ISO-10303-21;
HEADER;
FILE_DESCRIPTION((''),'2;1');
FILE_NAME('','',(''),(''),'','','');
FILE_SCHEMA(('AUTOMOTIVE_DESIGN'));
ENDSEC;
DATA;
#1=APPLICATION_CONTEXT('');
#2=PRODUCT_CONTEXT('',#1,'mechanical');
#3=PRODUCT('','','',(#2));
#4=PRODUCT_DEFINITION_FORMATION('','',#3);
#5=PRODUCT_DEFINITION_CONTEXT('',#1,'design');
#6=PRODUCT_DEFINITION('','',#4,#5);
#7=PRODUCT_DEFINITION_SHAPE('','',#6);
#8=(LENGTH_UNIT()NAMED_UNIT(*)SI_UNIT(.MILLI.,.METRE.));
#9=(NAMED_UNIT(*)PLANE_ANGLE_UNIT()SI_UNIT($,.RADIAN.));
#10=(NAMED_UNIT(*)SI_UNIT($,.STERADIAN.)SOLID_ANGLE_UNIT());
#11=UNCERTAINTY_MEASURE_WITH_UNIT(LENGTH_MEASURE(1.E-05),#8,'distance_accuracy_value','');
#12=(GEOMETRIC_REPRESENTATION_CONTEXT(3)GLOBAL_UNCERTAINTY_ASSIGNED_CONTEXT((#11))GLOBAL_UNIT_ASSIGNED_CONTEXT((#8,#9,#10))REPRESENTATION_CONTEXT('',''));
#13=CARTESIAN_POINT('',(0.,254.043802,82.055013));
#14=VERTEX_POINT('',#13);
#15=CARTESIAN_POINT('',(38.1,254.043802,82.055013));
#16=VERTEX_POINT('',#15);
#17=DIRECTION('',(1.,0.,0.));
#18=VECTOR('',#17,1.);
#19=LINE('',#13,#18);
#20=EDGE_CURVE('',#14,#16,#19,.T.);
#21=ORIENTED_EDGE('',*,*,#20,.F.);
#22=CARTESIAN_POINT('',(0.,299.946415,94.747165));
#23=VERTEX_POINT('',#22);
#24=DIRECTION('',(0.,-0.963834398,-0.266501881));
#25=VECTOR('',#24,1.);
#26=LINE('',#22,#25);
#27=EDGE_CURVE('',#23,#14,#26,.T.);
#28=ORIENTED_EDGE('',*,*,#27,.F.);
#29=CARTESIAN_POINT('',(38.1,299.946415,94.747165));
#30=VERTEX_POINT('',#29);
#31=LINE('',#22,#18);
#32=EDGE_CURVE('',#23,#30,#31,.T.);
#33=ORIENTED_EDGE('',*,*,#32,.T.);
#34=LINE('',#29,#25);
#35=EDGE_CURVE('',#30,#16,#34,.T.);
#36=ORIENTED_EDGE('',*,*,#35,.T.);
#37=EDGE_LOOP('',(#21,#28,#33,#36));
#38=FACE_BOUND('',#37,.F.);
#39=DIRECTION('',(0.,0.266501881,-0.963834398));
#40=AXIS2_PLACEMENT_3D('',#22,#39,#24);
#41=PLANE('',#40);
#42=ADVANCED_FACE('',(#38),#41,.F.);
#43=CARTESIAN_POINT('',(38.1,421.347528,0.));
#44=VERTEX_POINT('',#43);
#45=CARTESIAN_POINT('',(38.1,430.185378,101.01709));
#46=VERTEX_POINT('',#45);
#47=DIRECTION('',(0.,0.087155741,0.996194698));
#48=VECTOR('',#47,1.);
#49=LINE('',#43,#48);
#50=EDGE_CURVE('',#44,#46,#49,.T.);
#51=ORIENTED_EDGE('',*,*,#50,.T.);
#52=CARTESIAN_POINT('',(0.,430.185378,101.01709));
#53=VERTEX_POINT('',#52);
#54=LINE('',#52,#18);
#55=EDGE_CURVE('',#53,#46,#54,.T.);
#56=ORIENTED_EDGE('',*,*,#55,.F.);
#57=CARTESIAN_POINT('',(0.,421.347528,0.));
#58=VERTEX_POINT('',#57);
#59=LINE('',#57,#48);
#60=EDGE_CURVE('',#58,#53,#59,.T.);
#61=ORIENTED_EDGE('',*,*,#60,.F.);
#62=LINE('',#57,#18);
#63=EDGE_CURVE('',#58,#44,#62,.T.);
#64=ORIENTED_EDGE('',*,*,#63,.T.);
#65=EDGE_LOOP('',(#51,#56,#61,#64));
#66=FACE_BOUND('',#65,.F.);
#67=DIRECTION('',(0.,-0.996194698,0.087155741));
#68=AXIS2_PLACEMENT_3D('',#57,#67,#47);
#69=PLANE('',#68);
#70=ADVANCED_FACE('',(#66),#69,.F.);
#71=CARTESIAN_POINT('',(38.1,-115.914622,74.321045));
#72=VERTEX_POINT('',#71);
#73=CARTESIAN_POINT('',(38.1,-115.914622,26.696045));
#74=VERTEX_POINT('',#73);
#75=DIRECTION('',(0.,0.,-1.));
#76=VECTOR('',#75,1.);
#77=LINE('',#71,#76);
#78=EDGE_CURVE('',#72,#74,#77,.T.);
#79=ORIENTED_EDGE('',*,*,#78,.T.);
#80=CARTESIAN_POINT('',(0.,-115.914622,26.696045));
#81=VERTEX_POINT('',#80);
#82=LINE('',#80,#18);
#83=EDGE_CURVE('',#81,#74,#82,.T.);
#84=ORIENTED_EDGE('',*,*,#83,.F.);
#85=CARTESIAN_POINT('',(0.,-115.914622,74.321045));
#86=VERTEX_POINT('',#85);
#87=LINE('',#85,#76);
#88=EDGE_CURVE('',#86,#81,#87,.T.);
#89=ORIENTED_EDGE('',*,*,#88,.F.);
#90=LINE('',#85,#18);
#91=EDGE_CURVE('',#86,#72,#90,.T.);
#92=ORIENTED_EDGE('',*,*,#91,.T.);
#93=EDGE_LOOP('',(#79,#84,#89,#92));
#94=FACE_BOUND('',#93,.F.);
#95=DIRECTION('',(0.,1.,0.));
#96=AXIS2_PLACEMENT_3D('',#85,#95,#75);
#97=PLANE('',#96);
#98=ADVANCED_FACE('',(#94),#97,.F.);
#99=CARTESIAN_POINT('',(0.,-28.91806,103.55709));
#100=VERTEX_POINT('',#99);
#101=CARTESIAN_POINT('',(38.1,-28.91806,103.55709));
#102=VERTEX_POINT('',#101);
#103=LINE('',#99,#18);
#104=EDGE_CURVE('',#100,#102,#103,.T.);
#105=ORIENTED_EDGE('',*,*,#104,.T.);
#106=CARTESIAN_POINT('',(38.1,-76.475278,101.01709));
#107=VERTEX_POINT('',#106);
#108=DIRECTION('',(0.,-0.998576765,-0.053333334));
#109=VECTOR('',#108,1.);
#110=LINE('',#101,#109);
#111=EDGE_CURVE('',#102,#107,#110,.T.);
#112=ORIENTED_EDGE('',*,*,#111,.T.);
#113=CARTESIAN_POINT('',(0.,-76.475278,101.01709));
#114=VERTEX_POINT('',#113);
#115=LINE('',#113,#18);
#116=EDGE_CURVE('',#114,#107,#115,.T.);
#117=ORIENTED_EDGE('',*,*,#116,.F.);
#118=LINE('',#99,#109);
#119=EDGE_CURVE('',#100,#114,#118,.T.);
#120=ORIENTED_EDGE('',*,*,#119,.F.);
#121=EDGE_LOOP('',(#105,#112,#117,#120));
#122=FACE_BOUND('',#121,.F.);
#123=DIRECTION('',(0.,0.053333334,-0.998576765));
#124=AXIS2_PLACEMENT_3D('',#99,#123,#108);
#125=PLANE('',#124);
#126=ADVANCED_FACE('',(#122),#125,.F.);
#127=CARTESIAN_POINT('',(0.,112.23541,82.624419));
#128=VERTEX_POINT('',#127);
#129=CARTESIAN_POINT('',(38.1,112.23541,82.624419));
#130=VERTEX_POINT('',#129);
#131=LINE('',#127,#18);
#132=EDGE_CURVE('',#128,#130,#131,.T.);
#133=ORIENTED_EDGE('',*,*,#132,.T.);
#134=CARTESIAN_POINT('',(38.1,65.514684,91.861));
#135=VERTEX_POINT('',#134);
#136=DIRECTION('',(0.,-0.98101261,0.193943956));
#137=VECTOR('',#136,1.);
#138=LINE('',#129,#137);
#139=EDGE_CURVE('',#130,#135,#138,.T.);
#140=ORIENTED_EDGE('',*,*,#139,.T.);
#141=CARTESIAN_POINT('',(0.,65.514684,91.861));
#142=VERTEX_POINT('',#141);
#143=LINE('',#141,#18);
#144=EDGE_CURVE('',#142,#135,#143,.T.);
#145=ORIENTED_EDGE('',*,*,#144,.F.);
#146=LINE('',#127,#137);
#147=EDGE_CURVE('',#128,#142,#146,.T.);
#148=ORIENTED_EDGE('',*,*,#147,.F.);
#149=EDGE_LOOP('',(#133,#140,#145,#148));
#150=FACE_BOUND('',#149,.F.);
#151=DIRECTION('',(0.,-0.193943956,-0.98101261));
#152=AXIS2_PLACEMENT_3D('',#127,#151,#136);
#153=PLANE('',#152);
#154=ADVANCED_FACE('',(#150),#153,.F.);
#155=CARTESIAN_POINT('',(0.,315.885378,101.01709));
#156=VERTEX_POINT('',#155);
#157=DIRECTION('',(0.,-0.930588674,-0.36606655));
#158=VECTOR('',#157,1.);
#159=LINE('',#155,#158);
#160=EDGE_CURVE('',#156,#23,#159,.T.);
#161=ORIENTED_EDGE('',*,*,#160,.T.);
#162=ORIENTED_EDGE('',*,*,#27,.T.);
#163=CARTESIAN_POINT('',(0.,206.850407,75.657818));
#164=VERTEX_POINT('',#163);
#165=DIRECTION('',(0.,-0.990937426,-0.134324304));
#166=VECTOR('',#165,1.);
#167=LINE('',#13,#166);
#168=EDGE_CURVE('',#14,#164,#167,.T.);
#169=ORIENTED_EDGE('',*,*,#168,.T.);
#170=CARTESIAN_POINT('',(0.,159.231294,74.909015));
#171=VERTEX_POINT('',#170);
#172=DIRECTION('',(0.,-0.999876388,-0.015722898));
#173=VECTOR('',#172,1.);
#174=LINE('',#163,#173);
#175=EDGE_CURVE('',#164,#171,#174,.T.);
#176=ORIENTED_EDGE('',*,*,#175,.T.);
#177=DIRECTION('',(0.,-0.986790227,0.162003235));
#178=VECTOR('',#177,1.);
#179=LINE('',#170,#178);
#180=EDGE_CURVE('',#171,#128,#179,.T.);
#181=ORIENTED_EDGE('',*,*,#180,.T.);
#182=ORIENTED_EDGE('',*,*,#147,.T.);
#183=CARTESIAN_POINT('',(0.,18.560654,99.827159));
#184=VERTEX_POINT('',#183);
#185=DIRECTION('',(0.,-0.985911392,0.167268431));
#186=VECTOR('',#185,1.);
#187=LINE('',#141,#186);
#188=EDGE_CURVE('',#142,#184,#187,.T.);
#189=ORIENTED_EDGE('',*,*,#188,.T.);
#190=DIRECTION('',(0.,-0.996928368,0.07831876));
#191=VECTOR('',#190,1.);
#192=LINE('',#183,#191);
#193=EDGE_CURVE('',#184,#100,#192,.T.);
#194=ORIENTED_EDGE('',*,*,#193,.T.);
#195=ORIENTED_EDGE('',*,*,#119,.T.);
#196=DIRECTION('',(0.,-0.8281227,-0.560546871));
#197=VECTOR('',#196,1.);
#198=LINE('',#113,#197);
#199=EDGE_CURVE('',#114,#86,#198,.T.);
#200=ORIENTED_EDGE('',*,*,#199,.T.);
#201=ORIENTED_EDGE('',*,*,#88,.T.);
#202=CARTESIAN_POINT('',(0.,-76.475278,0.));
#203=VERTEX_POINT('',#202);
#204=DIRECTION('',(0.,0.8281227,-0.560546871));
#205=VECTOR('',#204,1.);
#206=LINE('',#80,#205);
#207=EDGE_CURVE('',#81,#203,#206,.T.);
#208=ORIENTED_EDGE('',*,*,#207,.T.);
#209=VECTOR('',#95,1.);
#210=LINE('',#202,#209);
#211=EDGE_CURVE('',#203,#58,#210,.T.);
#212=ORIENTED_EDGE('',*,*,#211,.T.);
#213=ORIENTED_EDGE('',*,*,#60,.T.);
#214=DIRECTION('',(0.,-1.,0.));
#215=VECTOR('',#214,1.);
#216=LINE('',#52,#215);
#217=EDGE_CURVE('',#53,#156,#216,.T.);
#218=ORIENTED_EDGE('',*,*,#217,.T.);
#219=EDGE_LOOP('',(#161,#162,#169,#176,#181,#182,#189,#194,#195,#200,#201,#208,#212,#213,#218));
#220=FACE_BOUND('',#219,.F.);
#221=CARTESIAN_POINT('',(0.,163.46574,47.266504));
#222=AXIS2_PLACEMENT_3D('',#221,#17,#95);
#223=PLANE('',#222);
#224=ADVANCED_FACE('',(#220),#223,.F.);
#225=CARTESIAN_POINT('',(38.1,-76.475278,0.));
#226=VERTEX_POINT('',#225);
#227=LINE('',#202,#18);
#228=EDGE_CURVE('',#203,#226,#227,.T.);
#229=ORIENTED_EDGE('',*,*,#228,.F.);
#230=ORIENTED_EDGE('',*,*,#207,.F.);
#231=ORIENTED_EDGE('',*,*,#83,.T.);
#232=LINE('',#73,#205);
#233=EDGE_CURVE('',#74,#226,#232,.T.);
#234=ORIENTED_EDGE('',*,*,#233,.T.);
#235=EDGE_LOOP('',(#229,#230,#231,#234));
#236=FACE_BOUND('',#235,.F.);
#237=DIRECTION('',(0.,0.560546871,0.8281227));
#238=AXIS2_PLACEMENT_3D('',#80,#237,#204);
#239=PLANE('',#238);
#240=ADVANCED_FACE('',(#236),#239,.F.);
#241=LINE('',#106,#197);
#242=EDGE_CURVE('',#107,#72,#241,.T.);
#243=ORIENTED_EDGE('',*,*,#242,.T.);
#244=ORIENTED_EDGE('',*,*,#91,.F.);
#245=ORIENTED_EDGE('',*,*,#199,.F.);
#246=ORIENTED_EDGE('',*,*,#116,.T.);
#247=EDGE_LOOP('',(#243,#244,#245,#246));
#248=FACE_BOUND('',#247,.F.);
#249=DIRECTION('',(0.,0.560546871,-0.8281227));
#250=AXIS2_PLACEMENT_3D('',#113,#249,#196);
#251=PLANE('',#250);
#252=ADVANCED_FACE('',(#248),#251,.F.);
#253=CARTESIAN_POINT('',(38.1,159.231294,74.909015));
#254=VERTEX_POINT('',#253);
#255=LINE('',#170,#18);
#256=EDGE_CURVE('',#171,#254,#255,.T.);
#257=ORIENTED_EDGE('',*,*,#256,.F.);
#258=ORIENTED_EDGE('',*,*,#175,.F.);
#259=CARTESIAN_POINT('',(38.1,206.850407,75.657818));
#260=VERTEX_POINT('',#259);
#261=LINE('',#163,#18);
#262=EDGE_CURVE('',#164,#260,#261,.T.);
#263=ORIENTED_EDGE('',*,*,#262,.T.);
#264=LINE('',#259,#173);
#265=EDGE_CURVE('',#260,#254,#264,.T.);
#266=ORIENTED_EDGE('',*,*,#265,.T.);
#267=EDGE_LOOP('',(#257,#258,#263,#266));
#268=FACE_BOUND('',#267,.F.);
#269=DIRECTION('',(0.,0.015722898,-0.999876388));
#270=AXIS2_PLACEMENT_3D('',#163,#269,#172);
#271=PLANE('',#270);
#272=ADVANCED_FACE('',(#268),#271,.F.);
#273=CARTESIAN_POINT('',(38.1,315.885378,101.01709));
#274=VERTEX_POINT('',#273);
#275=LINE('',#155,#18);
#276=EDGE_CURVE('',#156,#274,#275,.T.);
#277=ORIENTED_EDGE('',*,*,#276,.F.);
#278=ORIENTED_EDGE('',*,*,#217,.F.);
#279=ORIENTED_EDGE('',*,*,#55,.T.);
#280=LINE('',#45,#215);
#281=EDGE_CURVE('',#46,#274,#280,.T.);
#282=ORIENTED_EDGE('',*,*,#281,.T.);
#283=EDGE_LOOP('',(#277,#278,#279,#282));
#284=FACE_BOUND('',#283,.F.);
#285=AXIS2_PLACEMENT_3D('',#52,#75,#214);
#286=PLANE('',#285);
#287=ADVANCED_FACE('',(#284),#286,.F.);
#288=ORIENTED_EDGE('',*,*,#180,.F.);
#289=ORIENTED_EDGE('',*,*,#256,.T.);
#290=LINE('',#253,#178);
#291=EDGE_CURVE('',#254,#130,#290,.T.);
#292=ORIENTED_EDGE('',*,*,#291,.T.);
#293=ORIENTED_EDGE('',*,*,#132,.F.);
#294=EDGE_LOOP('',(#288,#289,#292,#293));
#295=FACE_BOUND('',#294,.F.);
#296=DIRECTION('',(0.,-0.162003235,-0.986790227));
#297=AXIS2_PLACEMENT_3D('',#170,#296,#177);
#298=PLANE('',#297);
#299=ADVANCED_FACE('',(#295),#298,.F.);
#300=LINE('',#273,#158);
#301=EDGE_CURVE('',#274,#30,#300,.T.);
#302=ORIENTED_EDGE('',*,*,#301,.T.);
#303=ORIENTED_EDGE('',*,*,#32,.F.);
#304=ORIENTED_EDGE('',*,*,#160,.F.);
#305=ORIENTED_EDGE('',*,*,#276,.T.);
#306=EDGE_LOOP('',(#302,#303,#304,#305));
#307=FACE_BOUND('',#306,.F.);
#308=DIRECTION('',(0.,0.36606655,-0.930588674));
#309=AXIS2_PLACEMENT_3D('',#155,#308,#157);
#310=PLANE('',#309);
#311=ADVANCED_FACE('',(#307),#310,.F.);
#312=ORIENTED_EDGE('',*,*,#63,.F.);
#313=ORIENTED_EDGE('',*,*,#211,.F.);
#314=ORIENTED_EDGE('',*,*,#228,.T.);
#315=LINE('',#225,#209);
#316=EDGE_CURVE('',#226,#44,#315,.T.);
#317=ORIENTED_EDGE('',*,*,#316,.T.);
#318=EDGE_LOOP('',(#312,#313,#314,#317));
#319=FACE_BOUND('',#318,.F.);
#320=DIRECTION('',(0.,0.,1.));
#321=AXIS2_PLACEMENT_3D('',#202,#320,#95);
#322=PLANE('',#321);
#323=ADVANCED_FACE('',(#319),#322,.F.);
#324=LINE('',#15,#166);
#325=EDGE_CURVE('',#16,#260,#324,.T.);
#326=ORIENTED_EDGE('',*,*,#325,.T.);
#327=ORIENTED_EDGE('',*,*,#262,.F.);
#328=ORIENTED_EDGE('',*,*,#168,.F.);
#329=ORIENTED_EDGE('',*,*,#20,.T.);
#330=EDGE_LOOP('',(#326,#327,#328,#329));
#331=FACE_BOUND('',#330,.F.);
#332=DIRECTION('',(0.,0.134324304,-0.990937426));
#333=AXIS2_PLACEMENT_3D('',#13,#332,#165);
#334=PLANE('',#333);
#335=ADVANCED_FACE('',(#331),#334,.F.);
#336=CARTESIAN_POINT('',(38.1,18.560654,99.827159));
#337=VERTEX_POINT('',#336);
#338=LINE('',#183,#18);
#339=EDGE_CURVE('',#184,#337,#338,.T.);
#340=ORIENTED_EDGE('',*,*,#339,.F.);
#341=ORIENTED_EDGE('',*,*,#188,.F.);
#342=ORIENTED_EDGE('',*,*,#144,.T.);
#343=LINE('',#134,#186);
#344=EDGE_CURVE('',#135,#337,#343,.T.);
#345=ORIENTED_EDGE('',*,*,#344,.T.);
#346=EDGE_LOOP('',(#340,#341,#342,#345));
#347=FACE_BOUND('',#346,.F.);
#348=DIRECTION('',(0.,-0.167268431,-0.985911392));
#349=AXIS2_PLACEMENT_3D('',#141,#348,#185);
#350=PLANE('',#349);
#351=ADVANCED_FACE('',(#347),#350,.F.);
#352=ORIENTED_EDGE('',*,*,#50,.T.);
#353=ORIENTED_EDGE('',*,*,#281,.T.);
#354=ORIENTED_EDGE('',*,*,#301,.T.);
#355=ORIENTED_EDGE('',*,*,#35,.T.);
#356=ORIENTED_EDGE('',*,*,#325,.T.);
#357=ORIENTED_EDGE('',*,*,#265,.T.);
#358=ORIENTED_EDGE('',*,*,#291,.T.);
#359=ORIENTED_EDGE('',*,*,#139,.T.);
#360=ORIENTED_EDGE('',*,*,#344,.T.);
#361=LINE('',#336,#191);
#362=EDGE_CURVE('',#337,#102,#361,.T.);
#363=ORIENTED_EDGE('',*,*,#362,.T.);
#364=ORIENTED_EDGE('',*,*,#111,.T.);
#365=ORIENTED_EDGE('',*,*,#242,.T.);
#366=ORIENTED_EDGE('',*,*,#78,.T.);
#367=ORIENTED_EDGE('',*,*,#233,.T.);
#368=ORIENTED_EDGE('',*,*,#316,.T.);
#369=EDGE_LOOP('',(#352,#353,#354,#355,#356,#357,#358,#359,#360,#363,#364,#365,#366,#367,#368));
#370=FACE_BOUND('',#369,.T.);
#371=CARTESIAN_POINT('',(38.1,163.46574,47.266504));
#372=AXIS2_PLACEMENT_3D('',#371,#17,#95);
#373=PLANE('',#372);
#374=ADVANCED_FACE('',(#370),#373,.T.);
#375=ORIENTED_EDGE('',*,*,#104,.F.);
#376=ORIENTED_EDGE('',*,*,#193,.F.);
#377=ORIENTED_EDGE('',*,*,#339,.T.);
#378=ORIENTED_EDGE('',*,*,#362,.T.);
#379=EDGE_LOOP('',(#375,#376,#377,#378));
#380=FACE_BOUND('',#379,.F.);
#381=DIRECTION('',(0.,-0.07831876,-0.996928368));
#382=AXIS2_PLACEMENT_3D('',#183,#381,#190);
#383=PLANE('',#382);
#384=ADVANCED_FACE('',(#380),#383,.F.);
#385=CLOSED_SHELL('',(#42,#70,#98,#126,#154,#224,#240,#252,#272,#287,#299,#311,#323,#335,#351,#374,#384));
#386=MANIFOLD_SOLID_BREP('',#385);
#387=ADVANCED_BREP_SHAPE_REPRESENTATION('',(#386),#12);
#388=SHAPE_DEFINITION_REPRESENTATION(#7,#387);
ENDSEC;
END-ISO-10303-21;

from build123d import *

# Parameters (mm, degrees)
F1_DEPTH = 38.1


with BuildPart() as f1:
    # F0 (on Right) → F1 (new body)
    with BuildSketch(Plane.YZ):
        Polygon((-115.914622, 26.696045), (-76.475278, 0), (421.347528, 0), (430.185378, 101.01709), (315.885378, 101.01709), (299.946415, 94.747165), (254.043802, 82.055013), (206.850407, 75.657818), (159.231294, 74.909015), (112.23541, 82.624419), (65.514684, 91.861), (18.560654, 99.827159), (-28.91806, 103.55709), (-76.475278, 101.01709), (-115.914622, 74.321045), align=None)
    extrude(amount=F1_DEPTH)


solid = f1.part
